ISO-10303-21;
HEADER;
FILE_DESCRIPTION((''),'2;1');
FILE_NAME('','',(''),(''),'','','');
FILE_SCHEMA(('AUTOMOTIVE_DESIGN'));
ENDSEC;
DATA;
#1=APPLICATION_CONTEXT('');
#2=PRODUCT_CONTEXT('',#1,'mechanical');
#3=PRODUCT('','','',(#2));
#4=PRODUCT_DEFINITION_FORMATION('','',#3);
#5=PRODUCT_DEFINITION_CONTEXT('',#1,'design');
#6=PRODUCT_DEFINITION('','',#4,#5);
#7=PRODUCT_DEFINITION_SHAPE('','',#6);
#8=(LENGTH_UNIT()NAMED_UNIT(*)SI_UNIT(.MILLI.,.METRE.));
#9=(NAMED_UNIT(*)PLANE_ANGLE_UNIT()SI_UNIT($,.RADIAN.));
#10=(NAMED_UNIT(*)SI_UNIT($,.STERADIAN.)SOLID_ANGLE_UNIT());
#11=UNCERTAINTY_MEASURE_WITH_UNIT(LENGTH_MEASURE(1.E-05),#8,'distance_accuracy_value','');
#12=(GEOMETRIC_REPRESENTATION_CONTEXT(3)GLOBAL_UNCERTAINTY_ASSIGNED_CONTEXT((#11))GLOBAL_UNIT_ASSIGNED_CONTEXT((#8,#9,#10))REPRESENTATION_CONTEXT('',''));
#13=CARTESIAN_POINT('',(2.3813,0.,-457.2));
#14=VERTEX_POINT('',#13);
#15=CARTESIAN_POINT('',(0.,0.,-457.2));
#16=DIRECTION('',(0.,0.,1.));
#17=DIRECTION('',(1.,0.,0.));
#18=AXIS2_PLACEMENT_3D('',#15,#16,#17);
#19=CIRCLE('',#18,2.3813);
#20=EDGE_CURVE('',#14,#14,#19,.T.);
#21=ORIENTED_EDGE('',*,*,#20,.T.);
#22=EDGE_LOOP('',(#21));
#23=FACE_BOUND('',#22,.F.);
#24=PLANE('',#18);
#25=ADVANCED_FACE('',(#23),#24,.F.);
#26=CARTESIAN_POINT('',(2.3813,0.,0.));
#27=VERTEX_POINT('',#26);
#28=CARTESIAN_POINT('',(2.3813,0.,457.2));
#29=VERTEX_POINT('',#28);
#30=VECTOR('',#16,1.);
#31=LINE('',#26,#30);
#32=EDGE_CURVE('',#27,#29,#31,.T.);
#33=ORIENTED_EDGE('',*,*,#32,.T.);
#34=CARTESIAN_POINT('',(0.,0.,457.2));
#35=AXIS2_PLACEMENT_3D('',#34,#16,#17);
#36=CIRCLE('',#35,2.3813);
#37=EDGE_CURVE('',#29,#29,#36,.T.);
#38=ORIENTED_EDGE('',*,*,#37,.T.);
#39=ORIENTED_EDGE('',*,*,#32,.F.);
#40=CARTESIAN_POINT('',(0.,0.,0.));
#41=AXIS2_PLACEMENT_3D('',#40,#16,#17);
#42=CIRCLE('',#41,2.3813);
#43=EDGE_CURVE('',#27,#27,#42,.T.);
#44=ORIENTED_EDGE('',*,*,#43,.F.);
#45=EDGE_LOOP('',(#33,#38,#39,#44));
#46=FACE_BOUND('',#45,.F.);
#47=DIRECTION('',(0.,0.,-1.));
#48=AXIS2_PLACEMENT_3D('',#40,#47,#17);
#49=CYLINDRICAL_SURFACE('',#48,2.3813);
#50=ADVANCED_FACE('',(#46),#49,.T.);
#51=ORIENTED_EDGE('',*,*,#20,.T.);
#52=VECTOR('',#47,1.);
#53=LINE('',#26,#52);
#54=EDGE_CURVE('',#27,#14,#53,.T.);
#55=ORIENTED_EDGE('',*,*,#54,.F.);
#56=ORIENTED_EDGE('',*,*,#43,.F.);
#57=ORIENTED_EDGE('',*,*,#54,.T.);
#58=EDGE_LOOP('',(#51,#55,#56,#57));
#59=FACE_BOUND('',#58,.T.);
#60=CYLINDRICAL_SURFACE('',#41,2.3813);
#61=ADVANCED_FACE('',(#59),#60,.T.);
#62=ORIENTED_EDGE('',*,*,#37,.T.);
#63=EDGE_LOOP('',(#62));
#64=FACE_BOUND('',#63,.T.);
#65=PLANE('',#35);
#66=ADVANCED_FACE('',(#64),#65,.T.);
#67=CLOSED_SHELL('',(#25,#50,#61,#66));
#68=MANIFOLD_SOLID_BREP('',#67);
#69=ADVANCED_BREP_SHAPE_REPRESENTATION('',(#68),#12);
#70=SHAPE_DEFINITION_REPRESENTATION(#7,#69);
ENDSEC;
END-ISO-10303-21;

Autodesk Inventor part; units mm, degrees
ref_plane "YZ Plane" through (0, 0, 0) normal (1, 0, 0) x (0, 1, 0)
ref_plane "XZ Plane" through (0, 0, 0) normal (0, 1, 0) x (-1, 0, 0)
ref_plane "XY Plane" through (0, 0, 0) normal (0, 0, 1) x (1, 0, 0)
sketch "Sketch1" plane through (0, 0, 0) normal (0, 0, 1) x (1, 0, 0)
  circle A0 centre (0, 0) radius 2.3813
  dimension "d0" = 4.7625
extrude "Extrusion1" add sketch "Sketch1" along normal mid plane 914.4
properties part number "Alum_Shaft"
